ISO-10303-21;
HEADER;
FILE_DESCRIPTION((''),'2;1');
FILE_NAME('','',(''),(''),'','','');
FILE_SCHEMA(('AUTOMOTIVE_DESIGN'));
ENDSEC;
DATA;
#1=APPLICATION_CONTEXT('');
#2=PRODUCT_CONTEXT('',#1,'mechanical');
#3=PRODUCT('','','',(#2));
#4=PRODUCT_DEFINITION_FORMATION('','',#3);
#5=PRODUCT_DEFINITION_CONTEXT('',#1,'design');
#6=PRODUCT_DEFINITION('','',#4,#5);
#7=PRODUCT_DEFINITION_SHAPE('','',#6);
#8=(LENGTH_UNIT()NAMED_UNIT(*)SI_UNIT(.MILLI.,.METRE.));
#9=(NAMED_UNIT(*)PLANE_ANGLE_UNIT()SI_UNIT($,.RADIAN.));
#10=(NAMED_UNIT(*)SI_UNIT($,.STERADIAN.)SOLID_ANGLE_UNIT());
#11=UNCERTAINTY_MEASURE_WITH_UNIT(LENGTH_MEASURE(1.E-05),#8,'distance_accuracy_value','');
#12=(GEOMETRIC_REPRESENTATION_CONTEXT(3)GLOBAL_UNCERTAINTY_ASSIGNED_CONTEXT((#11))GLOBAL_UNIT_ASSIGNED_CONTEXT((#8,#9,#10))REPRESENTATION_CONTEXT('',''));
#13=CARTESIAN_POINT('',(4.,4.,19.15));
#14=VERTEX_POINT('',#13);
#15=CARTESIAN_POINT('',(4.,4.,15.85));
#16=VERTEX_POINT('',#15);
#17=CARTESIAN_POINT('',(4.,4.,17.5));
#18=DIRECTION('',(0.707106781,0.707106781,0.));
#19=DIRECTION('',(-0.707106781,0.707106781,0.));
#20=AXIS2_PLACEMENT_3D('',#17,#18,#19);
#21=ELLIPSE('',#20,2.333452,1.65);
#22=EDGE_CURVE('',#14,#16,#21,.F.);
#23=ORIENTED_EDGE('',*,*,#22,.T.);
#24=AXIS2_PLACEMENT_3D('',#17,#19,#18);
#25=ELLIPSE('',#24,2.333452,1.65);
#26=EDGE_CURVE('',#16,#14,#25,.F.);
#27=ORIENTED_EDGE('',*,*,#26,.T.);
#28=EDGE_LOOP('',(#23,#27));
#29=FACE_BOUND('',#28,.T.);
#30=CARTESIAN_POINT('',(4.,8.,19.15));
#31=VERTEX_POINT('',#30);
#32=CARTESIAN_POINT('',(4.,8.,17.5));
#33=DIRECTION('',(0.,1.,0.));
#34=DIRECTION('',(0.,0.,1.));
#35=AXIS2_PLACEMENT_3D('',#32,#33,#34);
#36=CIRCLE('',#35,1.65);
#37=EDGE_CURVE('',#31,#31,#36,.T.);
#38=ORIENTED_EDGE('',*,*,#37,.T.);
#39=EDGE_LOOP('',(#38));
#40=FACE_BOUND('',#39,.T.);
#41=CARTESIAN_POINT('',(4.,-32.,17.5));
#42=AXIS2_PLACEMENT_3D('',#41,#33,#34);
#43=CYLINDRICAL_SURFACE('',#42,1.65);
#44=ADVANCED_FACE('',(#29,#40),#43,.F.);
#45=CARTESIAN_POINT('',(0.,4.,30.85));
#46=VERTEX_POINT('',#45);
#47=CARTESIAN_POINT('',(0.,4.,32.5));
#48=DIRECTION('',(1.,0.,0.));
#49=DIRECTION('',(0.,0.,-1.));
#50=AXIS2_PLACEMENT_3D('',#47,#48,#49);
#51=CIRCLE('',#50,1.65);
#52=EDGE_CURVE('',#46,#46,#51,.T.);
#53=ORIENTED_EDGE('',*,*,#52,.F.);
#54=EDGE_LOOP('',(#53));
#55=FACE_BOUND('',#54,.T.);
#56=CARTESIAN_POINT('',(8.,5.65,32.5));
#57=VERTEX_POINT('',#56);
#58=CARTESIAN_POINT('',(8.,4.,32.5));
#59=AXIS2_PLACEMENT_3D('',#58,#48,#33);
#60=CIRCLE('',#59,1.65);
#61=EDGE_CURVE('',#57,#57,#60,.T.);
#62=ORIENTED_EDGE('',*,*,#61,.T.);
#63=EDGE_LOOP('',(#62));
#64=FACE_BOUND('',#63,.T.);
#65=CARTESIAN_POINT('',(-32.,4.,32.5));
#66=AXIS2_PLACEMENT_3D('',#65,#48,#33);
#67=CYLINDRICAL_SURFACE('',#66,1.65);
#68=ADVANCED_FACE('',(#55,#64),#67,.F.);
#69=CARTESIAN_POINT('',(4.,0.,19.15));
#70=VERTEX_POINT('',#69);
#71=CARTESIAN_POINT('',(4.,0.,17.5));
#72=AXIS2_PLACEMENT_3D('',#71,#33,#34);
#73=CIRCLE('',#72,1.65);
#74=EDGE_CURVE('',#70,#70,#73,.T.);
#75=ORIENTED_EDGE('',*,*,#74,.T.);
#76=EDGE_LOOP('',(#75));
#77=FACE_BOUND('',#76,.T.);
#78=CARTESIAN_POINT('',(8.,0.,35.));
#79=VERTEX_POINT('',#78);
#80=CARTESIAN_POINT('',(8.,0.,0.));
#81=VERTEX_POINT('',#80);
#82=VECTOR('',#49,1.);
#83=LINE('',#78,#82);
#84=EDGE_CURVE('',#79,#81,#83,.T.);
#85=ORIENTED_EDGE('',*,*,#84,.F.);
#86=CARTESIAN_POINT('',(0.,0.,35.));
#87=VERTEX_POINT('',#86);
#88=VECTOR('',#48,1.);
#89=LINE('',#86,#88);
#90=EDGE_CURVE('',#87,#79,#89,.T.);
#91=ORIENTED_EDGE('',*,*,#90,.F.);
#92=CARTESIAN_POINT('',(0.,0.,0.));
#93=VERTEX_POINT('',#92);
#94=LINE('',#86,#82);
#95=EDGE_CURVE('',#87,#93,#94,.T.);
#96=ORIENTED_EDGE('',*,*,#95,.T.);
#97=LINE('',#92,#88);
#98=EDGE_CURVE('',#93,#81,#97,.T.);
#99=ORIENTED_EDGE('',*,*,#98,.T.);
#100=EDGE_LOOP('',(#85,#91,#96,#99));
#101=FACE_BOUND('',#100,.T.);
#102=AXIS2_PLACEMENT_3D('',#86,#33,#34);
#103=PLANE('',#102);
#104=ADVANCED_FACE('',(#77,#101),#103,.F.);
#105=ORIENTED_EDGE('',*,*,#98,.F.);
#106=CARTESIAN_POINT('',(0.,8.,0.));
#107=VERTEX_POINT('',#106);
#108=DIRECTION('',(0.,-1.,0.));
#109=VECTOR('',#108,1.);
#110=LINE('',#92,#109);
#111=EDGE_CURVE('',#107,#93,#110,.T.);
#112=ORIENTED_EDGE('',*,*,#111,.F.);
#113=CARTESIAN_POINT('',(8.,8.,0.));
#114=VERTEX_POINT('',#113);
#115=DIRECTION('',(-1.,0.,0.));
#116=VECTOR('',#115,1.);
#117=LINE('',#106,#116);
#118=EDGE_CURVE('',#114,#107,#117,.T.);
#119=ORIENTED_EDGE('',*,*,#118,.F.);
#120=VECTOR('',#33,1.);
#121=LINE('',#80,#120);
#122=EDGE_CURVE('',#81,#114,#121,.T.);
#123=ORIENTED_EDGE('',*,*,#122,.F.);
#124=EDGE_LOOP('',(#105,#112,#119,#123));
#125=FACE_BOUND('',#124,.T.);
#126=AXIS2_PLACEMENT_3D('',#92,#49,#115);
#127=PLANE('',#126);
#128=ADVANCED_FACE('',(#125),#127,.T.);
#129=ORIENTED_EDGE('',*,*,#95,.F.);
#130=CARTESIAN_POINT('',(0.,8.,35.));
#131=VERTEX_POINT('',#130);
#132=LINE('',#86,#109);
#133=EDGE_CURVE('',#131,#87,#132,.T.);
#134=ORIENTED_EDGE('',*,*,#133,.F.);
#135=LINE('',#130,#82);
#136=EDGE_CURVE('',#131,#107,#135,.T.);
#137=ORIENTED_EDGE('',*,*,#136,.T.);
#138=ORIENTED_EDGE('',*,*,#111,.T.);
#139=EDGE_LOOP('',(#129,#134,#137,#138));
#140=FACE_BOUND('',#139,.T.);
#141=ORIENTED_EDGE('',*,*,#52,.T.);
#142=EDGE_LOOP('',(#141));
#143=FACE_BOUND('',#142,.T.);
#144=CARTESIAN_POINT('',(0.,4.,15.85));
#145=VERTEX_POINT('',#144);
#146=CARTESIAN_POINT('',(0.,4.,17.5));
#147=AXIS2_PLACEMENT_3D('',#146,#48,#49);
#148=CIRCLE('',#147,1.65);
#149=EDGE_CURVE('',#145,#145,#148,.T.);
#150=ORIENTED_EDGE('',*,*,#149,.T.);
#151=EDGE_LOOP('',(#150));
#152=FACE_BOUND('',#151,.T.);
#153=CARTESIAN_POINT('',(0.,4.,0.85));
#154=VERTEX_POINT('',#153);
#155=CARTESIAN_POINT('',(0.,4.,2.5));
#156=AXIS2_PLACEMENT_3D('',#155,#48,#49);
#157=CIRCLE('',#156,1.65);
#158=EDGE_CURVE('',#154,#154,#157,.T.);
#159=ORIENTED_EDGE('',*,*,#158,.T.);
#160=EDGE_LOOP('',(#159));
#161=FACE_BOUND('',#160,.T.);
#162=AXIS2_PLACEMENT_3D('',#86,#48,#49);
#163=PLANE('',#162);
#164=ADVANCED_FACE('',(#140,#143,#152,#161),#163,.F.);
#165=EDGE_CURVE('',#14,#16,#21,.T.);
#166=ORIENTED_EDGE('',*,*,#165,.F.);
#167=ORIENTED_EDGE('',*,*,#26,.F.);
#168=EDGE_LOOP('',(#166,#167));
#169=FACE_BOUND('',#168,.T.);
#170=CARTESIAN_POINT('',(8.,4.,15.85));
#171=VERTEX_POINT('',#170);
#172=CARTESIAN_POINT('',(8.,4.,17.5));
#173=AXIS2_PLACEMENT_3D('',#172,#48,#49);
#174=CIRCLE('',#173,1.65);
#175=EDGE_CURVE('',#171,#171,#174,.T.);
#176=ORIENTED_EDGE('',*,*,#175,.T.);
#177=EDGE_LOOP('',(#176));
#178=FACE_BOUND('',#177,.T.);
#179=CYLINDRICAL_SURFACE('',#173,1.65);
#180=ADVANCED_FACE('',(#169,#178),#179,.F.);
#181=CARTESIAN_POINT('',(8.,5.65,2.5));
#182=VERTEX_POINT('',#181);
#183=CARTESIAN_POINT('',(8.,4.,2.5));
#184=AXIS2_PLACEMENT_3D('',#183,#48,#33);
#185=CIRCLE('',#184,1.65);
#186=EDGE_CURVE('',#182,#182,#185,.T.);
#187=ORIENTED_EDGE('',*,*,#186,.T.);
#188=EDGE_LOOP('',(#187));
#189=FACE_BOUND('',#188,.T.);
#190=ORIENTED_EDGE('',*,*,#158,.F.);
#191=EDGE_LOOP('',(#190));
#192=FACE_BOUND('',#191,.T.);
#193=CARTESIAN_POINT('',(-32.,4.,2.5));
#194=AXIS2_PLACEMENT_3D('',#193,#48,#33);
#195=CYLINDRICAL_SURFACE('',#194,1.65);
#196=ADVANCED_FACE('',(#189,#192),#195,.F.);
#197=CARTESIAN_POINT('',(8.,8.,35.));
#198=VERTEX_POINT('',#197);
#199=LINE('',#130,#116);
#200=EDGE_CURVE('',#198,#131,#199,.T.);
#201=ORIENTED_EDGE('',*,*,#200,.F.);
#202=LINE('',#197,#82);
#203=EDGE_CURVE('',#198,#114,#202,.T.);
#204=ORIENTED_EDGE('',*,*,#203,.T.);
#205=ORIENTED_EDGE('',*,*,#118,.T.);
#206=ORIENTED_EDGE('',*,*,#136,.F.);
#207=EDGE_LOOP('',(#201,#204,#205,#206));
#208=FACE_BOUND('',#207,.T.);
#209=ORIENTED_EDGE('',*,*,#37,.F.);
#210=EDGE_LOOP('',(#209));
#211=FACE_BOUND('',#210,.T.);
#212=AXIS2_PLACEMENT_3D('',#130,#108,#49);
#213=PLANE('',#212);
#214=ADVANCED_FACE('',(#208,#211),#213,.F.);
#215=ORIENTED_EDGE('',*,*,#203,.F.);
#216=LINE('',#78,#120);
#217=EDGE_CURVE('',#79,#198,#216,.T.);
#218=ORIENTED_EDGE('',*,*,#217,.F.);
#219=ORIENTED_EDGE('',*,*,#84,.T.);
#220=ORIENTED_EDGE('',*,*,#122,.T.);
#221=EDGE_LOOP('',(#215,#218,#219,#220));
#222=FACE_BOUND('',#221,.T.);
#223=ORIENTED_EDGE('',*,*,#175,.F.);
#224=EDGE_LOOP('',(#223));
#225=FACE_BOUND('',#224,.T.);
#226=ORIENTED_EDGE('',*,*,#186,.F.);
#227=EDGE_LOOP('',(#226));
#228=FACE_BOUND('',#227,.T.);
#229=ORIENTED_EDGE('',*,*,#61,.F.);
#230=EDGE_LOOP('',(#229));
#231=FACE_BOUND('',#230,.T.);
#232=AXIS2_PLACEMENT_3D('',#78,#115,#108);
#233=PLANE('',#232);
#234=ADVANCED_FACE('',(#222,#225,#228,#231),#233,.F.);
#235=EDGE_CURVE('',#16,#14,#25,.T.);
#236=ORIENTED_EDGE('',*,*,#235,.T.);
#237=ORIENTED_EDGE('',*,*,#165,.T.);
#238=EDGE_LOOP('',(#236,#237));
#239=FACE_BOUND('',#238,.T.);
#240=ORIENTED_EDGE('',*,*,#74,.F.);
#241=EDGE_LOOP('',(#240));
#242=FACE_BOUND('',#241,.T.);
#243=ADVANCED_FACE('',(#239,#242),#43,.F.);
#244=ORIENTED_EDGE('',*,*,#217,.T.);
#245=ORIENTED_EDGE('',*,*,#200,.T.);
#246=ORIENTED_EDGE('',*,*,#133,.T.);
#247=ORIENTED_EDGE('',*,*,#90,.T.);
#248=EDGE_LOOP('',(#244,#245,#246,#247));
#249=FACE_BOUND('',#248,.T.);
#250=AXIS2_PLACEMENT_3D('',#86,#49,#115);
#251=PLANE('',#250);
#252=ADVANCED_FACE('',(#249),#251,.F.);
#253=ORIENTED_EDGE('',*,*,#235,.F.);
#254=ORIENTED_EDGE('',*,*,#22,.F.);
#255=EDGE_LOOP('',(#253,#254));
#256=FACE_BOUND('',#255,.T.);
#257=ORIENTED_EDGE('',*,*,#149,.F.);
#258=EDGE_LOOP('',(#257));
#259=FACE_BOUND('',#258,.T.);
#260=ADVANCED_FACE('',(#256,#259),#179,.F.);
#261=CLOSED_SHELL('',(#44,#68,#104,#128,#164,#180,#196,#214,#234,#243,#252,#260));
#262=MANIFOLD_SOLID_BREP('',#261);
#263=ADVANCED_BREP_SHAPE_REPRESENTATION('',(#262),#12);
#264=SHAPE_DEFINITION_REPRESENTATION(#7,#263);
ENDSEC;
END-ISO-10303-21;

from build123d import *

# Parameters (mm, degrees)
SKETCH_1_W          = 8
SKETCH_1_H          = 8
EXTRUDE_1_DEPTH     = 35
SKETCH_2_R          = 1.65
CUT_EXTRUDE_1_DEPTH = 40
SKETCH_3_R          = 1.65
CUT_EXTRUDE_2_DEPTH = 40
SKETCH_6_R          = 1.5
CUT_EXTRUDE_4_DEPTH = 37.783148315
HOLE_WIZARD_M4_3_D  = 3.3


with BuildPart() as part:
    # 草图1 → 凸台-拉伸1 (new body)
    with BuildSketch(Plane.XY):
        with Locations((4, 4)):
            Rectangle(SKETCH_1_W, SKETCH_1_H)
    extrude(amount=EXTRUDE_1_DEPTH)

    # 草图2 → 切除-拉伸1 (cut)
    with BuildSketch(Plane(origin=(8, 0, 0), x_dir=(0, 0, -1), z_dir=(1, 0, 0))):
        with Locations(Location((-32.5, 4, 0), (0, 0, 90))):
            Circle(SKETCH_2_R)
        with Locations(Location((-2.5, 4, 0), (0, 0, 90))):
            Circle(SKETCH_2_R)
    extrude(amount=-CUT_EXTRUDE_1_DEPTH, mode=Mode.SUBTRACT)

    # 草图3 → 切除-拉伸2 (cut)
    with BuildSketch(Plane(origin=(0, 8, 0), x_dir=(1, 0, 0), z_dir=(0, 1, 0))):
        with Locations(Location((4, -17.5, 0), (0, 0, 270))):
            Circle(SKETCH_3_R)
    extrude(amount=-CUT_EXTRUDE_2_DEPTH, mode=Mode.SUBTRACT)

    # 草图6 → 切除-拉伸4 (cut, through all)
    with BuildSketch(Plane(origin=(8, 0, 0), x_dir=(0, 0, -1), z_dir=(1, 0, 0))):
        with Locations(Location((-17.5, 4, 0), (0, 0, 90))):
            Circle(SKETCH_6_R)
    extrude(amount=-CUT_EXTRUDE_4_DEPTH, mode=Mode.SUBTRACT)

    # M4 螺纹孔3 (through all)
    with Locations(Plane(origin=(8, 0, 0), x_dir=(0, 0, -1), z_dir=(1, 0, 0))):
        with Locations((-17.5, 4)):
            Hole(HOLE_WIZARD_M4_3_D / 2)


solid = part.part
